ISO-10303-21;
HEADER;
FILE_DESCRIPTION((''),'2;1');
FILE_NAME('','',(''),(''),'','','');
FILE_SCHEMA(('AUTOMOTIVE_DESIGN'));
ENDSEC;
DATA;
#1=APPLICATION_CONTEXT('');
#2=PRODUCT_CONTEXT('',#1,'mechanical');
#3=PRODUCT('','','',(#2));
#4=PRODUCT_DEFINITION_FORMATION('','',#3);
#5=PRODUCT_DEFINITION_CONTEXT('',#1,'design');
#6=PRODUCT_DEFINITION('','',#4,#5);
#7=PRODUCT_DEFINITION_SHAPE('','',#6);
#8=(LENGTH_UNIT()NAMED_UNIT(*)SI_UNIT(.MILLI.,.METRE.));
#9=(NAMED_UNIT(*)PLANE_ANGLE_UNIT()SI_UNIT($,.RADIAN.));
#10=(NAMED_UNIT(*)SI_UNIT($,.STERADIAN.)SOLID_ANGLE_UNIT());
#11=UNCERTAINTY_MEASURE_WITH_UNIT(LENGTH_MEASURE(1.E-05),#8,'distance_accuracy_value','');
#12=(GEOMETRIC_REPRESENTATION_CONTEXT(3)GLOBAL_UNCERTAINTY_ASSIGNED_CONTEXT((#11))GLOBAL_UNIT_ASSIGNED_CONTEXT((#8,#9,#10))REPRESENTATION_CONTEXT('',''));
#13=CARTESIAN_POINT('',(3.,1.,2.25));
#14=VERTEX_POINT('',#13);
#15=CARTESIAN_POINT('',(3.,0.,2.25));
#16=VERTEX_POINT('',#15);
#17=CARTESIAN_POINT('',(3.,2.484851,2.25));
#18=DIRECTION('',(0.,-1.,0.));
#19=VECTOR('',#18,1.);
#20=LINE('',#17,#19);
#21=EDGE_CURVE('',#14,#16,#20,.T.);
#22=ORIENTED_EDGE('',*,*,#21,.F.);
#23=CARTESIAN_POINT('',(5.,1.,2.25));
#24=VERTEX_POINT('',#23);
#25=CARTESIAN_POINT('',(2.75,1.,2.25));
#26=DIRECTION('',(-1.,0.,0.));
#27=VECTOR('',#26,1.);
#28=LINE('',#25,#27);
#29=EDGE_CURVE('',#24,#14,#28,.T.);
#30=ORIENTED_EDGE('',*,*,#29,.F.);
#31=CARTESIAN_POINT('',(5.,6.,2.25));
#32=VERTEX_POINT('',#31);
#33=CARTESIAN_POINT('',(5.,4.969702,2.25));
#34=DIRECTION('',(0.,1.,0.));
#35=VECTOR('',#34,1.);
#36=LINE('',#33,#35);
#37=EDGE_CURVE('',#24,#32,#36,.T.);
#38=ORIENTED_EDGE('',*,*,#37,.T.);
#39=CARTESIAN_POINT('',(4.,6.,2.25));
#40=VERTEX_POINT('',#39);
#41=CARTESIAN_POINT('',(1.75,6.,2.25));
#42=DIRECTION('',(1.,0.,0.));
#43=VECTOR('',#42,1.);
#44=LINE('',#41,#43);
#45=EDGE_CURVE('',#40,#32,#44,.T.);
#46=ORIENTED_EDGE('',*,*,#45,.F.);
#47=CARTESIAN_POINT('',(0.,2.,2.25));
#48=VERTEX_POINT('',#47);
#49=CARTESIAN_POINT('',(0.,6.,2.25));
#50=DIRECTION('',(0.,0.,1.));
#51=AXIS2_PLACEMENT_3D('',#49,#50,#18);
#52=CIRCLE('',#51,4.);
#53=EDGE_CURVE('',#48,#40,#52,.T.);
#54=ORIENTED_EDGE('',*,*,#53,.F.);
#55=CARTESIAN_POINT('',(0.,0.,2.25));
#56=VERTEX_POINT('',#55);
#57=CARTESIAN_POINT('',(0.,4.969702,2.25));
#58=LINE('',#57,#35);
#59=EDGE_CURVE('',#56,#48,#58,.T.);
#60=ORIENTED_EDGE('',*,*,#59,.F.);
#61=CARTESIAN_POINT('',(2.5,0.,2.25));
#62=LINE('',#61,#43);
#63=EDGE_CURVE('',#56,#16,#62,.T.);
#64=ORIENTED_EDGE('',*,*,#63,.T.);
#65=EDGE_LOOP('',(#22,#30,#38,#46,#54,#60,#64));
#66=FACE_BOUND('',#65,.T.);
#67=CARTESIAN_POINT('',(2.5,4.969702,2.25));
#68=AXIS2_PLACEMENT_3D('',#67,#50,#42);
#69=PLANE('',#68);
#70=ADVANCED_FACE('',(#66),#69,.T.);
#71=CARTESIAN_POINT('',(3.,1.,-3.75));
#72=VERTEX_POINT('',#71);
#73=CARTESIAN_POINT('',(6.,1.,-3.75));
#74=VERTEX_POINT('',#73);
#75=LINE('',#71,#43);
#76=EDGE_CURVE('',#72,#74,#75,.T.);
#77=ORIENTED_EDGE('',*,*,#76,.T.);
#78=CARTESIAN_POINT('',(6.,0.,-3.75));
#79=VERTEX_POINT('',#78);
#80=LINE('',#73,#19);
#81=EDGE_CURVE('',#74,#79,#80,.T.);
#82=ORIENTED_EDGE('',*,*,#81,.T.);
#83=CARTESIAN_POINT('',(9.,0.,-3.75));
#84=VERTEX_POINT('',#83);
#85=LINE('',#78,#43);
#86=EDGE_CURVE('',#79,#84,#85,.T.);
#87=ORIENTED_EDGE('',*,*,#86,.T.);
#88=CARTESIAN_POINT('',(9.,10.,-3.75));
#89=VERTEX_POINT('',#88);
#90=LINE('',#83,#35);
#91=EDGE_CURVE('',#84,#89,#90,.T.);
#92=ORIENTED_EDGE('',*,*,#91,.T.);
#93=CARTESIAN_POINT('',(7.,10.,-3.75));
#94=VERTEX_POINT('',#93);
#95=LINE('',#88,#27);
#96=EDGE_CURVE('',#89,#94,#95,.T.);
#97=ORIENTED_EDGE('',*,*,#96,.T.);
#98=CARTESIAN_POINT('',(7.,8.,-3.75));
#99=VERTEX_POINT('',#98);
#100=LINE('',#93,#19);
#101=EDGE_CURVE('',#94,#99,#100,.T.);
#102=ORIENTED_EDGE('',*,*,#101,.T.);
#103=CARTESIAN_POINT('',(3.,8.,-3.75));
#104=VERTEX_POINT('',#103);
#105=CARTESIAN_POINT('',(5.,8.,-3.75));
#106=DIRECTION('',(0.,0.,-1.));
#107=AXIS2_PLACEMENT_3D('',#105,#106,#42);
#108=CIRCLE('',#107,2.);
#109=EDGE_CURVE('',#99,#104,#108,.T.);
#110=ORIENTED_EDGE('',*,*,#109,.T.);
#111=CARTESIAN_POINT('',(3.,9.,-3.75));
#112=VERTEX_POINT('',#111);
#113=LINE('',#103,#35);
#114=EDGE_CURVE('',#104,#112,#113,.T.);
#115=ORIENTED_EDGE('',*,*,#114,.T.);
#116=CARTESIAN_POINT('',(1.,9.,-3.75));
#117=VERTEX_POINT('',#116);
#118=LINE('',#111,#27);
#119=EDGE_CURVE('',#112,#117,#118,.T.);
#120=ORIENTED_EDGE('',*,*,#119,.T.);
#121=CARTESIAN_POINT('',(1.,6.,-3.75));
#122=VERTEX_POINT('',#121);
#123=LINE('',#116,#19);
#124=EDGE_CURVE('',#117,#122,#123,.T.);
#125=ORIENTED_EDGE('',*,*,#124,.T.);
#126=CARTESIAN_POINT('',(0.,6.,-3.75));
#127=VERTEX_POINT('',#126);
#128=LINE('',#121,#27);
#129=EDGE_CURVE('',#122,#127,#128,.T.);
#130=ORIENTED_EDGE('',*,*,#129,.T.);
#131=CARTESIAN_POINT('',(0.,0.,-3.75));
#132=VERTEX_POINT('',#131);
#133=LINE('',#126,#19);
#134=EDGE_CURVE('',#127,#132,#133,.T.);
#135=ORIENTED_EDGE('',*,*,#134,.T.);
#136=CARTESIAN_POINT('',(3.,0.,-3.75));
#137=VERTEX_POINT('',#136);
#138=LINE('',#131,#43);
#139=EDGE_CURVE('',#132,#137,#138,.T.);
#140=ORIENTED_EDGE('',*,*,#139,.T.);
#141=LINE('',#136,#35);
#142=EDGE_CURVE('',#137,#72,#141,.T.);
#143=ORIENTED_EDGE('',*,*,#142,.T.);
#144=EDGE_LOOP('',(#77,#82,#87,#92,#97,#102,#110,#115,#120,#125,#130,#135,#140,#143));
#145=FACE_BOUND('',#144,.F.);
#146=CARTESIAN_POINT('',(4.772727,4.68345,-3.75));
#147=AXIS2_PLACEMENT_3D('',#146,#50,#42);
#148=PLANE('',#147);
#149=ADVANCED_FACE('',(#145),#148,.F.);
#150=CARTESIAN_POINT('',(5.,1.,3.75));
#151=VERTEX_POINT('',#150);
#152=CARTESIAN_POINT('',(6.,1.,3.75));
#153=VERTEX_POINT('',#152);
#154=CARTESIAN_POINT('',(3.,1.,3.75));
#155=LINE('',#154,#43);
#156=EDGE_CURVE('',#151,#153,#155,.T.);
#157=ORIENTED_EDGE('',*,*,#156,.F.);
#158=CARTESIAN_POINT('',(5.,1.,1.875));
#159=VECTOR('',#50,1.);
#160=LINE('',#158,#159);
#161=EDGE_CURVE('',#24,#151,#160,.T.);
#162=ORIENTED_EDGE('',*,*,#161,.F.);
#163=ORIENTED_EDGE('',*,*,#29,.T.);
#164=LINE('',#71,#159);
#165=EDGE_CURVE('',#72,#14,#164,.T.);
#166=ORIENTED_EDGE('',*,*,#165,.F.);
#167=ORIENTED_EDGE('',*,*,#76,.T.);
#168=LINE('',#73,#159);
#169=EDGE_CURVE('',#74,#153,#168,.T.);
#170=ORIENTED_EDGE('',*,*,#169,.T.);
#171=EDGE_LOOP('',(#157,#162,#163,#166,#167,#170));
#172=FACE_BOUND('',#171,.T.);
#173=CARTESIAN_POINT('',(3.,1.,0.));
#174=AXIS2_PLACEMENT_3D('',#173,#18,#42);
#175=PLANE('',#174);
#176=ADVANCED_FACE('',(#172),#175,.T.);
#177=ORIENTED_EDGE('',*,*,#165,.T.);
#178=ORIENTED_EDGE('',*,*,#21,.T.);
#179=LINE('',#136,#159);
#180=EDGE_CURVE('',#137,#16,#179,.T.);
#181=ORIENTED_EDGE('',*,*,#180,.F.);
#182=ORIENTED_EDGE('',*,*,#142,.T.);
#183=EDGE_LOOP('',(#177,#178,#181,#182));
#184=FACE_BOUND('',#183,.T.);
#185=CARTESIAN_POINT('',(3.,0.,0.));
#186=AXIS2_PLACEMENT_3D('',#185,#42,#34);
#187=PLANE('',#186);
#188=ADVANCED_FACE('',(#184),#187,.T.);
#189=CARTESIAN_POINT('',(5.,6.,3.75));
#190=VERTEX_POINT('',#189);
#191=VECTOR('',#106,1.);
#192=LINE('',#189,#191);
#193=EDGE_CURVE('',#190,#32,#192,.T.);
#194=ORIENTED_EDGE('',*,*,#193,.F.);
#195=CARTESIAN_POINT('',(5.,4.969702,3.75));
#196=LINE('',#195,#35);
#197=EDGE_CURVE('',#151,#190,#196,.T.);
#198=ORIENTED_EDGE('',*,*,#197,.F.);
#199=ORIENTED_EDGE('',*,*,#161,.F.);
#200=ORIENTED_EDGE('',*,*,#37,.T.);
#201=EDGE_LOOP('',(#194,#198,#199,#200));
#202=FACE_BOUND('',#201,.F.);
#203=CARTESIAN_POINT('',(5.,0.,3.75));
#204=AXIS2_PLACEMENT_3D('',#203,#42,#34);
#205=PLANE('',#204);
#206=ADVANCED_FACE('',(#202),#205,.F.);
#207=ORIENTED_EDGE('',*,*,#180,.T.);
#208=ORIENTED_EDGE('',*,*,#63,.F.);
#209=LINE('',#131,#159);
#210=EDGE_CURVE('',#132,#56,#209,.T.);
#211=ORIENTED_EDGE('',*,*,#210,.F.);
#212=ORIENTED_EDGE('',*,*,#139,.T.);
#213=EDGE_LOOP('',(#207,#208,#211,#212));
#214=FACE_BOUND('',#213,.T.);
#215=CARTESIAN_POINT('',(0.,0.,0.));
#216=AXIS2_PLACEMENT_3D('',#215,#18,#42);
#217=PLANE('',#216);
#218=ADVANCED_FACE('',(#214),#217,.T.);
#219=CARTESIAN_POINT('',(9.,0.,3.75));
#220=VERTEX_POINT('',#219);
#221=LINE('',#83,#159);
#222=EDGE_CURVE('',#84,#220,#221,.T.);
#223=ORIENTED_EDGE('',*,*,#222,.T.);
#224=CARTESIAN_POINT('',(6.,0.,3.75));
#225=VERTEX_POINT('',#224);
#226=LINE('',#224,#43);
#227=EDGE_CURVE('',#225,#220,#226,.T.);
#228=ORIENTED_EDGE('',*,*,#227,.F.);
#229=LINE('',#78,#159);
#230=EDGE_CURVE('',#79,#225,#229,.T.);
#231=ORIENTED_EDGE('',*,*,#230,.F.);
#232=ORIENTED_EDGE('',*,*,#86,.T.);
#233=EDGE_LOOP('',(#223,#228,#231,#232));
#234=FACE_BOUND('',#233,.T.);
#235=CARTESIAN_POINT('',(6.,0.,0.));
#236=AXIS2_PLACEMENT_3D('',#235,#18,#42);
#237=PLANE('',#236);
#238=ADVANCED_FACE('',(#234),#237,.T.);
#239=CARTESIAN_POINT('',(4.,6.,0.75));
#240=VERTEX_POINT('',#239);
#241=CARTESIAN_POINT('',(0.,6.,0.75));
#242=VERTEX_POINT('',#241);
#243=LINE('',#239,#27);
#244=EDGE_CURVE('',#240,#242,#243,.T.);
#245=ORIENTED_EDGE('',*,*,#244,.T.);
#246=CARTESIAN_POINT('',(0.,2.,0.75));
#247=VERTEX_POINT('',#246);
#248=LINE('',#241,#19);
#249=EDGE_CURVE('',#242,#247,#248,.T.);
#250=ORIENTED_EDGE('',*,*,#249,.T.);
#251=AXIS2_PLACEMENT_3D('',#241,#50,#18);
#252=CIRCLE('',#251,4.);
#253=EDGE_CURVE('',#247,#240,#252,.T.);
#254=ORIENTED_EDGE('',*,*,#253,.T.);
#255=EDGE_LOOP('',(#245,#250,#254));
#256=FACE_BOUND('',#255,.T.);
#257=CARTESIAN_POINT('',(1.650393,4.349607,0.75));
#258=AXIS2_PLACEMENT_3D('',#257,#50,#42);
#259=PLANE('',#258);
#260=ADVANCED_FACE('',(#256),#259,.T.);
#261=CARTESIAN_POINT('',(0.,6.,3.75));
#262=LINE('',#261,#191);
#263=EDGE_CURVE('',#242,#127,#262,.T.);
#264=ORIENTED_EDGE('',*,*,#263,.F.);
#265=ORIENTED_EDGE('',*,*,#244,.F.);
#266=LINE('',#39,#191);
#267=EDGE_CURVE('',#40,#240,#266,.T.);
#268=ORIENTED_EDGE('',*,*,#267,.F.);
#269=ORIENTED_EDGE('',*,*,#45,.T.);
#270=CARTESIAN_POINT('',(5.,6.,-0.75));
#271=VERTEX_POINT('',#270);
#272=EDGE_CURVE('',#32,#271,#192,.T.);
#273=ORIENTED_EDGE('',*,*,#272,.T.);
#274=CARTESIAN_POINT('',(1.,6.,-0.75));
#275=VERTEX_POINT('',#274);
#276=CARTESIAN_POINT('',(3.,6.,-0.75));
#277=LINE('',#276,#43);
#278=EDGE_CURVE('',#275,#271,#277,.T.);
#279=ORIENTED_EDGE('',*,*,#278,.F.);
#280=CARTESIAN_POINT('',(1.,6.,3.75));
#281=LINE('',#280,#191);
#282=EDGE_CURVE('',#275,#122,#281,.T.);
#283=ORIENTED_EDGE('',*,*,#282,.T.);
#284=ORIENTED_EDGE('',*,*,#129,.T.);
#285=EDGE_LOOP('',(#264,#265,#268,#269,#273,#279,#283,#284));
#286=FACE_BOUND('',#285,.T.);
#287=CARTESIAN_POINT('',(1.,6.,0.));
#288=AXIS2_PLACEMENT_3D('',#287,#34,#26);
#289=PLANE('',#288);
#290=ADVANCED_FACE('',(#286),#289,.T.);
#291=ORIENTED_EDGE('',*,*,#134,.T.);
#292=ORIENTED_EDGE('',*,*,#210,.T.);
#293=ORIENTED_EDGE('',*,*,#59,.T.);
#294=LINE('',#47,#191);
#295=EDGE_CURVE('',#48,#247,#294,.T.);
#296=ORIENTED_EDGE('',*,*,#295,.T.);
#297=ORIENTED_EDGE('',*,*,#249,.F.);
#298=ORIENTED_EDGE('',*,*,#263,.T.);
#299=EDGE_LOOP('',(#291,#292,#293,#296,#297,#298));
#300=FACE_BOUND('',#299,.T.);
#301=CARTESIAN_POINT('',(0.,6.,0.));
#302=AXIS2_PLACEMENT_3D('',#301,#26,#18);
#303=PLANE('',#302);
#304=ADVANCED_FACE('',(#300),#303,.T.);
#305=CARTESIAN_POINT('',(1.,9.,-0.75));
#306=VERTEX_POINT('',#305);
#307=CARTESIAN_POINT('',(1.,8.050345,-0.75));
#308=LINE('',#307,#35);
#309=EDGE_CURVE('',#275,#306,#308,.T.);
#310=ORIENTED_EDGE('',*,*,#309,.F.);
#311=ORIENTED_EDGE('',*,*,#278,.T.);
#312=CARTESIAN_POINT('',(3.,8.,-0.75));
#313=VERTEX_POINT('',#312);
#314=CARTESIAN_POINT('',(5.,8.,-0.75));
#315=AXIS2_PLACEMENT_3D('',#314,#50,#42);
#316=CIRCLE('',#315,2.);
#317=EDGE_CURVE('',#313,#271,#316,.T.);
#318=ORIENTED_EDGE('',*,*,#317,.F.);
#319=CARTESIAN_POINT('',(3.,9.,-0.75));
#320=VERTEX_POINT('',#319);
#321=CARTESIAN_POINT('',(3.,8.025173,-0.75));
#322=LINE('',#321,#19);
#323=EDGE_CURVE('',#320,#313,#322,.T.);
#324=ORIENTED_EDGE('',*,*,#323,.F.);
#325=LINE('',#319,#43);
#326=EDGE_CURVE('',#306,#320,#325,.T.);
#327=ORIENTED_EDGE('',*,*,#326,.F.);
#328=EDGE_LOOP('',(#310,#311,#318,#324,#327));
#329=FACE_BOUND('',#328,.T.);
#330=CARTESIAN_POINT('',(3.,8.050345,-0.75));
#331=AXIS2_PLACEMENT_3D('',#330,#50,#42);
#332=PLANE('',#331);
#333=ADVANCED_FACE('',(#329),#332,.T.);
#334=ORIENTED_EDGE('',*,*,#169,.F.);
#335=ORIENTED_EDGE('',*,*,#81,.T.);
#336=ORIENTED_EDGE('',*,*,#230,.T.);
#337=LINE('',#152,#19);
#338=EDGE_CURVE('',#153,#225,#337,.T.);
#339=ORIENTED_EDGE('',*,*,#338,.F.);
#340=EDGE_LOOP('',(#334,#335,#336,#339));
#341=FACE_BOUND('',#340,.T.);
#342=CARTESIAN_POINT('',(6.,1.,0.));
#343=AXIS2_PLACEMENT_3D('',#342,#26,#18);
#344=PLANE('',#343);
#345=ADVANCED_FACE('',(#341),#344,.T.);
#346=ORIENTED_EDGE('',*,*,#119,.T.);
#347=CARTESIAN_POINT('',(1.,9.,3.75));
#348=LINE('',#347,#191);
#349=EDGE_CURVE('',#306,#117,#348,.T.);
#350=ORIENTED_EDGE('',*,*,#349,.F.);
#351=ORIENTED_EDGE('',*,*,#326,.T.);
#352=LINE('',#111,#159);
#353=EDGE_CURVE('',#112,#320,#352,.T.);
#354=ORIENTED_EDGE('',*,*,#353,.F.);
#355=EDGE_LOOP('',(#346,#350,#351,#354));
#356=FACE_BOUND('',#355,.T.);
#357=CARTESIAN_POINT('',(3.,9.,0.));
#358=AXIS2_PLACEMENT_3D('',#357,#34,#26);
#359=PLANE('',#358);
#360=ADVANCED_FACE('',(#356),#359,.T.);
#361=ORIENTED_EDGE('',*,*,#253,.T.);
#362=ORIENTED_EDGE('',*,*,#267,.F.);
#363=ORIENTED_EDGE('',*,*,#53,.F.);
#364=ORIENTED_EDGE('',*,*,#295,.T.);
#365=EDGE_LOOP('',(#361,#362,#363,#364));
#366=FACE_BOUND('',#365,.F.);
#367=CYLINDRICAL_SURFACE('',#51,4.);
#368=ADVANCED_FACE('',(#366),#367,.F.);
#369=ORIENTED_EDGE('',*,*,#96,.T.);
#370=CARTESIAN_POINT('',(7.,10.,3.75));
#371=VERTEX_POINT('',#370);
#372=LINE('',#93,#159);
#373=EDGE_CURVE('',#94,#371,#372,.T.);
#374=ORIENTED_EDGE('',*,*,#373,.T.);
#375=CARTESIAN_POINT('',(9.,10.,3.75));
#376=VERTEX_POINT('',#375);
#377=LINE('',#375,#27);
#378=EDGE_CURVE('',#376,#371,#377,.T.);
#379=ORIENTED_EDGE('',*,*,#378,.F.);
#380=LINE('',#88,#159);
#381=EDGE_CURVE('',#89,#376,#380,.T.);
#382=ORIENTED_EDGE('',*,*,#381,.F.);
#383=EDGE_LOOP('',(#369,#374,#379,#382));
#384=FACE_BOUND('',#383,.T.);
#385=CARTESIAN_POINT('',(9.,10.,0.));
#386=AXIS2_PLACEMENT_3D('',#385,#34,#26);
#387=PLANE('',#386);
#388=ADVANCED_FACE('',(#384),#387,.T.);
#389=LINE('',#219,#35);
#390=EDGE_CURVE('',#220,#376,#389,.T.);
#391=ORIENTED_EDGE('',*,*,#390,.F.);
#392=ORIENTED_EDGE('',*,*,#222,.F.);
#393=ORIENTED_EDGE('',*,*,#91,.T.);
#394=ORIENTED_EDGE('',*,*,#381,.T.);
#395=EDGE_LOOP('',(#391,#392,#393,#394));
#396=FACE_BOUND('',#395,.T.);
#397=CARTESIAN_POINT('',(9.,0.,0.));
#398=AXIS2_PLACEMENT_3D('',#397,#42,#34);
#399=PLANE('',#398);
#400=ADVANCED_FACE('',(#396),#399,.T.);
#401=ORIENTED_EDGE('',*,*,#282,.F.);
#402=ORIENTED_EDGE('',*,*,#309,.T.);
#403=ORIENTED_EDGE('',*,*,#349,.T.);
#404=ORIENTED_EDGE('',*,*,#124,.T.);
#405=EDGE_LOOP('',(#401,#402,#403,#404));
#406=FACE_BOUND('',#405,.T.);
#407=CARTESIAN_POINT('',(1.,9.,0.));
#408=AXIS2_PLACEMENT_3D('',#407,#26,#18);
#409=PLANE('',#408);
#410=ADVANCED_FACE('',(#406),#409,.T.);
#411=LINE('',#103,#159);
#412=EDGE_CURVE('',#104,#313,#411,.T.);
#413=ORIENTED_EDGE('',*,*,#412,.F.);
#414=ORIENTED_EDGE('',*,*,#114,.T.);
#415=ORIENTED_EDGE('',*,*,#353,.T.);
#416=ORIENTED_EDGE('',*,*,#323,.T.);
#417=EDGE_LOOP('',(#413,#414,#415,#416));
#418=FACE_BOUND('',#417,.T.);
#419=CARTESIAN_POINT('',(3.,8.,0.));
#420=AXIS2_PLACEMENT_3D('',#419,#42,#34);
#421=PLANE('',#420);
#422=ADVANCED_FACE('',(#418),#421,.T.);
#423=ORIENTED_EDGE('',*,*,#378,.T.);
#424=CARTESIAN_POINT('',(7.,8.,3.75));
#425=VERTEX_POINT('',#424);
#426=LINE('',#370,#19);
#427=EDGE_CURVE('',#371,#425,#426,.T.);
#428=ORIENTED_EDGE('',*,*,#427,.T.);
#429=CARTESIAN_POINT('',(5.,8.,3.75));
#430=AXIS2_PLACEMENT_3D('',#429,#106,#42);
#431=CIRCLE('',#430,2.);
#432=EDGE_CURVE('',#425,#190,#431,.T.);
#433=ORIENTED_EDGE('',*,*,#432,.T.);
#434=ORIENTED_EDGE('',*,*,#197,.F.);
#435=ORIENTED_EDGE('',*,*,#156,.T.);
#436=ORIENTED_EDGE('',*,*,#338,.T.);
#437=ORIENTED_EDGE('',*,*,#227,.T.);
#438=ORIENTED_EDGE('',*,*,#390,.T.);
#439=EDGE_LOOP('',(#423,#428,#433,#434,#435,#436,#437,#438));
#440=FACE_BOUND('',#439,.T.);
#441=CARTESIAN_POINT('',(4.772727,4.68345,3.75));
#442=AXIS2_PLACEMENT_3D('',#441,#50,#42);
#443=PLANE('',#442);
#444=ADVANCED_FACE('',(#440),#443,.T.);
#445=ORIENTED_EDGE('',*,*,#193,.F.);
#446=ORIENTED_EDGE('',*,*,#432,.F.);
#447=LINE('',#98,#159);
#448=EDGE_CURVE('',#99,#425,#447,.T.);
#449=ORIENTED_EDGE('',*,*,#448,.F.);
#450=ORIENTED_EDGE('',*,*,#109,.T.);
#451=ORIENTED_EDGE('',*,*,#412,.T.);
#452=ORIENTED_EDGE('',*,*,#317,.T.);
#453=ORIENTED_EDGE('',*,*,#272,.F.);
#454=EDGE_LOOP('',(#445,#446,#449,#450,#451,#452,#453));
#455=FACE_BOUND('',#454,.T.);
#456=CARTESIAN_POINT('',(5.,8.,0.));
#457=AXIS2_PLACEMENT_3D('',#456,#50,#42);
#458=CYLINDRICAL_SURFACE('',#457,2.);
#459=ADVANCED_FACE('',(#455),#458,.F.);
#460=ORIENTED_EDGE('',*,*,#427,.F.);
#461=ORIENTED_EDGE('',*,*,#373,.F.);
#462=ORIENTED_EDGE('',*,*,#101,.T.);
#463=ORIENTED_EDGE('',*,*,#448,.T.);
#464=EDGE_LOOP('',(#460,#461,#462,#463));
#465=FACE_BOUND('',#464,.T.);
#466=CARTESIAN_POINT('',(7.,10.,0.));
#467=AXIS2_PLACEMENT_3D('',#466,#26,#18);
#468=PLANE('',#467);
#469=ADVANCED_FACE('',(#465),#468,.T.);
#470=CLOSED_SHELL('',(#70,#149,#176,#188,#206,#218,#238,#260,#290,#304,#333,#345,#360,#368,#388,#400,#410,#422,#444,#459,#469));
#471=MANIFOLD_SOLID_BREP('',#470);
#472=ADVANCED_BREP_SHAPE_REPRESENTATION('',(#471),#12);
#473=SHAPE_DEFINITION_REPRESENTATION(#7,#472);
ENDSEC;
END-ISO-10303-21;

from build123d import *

# Parameters (mm, degrees)
BOSS_EXTRUDE1_DEPTH = 3.75
SKETCH2_W           = 4
SKETCH2_H           = 4.100690398
CUT_EXTRUDE1_DEPTH  = 4.5
SKETCH3_W           = 5
SKETCH3_H           = 9.939403745
CUT_EXTRUDE2_DEPTH  = 1.5
CUT_EXTRUDE3_DEPTH  = 1.5


with BuildPart() as part:
    # Sketch1 → Boss-Extrude1 (new body, symmetric)
    with BuildSketch(Plane.XY):
        with BuildLine():
            Line((0, 6), (0, 0))
            Line((0, 0), (3, 0))
            Line((3, 0), (3, 1))
            Line((3, 1), (6, 1))
            Line((6, 1), (6, 0))
            Line((6, 0), (9, 0))
            Line((9, 0), (9, 10))
            Line((9, 10), (7, 10))
            Line((7, 10), (7, 8))
            ThreePointArc((7, 8), (5, 6), (3, 8))
            Line((3, 8), (3, 9))
            Line((3, 9), (1, 9))
            Line((1, 9), (1, 6))
            Line((1, 6), (0, 6))
        make_face()
    extrude(amount=BOSS_EXTRUDE1_DEPTH, both=True)

    # Sketch2 → Cut-Extrude1 (cut)
    with BuildSketch(Plane.XY.offset(3.75)):
        with Locations((3, 8.050345199)):
            Rectangle(SKETCH2_W, SKETCH2_H)
    extrude(amount=-CUT_EXTRUDE1_DEPTH, mode=Mode.SUBTRACT)

    # Sketch3 → Cut-Extrude2 (cut)
    with BuildSketch(Plane.XY.offset(3.75)):
        with Locations((2.5, 4.969701872)):
            Rectangle(SKETCH3_W, SKETCH3_H)
    extrude(amount=-CUT_EXTRUDE2_DEPTH, mode=Mode.SUBTRACT)

    # Sketch4 → Cut-Extrude3 (cut)
    with BuildSketch(Plane.XY.offset(2.25)):
        with BuildLine():
            Line((4, 6), (0, 6))
            Line((0, 6), (0, 2))
            ThreePointArc((0, 2), (2.828427125, 3.171572875), (4, 6))
        make_face()
    extrude(amount=-CUT_EXTRUDE3_DEPTH, mode=Mode.SUBTRACT)


solid = part.part
